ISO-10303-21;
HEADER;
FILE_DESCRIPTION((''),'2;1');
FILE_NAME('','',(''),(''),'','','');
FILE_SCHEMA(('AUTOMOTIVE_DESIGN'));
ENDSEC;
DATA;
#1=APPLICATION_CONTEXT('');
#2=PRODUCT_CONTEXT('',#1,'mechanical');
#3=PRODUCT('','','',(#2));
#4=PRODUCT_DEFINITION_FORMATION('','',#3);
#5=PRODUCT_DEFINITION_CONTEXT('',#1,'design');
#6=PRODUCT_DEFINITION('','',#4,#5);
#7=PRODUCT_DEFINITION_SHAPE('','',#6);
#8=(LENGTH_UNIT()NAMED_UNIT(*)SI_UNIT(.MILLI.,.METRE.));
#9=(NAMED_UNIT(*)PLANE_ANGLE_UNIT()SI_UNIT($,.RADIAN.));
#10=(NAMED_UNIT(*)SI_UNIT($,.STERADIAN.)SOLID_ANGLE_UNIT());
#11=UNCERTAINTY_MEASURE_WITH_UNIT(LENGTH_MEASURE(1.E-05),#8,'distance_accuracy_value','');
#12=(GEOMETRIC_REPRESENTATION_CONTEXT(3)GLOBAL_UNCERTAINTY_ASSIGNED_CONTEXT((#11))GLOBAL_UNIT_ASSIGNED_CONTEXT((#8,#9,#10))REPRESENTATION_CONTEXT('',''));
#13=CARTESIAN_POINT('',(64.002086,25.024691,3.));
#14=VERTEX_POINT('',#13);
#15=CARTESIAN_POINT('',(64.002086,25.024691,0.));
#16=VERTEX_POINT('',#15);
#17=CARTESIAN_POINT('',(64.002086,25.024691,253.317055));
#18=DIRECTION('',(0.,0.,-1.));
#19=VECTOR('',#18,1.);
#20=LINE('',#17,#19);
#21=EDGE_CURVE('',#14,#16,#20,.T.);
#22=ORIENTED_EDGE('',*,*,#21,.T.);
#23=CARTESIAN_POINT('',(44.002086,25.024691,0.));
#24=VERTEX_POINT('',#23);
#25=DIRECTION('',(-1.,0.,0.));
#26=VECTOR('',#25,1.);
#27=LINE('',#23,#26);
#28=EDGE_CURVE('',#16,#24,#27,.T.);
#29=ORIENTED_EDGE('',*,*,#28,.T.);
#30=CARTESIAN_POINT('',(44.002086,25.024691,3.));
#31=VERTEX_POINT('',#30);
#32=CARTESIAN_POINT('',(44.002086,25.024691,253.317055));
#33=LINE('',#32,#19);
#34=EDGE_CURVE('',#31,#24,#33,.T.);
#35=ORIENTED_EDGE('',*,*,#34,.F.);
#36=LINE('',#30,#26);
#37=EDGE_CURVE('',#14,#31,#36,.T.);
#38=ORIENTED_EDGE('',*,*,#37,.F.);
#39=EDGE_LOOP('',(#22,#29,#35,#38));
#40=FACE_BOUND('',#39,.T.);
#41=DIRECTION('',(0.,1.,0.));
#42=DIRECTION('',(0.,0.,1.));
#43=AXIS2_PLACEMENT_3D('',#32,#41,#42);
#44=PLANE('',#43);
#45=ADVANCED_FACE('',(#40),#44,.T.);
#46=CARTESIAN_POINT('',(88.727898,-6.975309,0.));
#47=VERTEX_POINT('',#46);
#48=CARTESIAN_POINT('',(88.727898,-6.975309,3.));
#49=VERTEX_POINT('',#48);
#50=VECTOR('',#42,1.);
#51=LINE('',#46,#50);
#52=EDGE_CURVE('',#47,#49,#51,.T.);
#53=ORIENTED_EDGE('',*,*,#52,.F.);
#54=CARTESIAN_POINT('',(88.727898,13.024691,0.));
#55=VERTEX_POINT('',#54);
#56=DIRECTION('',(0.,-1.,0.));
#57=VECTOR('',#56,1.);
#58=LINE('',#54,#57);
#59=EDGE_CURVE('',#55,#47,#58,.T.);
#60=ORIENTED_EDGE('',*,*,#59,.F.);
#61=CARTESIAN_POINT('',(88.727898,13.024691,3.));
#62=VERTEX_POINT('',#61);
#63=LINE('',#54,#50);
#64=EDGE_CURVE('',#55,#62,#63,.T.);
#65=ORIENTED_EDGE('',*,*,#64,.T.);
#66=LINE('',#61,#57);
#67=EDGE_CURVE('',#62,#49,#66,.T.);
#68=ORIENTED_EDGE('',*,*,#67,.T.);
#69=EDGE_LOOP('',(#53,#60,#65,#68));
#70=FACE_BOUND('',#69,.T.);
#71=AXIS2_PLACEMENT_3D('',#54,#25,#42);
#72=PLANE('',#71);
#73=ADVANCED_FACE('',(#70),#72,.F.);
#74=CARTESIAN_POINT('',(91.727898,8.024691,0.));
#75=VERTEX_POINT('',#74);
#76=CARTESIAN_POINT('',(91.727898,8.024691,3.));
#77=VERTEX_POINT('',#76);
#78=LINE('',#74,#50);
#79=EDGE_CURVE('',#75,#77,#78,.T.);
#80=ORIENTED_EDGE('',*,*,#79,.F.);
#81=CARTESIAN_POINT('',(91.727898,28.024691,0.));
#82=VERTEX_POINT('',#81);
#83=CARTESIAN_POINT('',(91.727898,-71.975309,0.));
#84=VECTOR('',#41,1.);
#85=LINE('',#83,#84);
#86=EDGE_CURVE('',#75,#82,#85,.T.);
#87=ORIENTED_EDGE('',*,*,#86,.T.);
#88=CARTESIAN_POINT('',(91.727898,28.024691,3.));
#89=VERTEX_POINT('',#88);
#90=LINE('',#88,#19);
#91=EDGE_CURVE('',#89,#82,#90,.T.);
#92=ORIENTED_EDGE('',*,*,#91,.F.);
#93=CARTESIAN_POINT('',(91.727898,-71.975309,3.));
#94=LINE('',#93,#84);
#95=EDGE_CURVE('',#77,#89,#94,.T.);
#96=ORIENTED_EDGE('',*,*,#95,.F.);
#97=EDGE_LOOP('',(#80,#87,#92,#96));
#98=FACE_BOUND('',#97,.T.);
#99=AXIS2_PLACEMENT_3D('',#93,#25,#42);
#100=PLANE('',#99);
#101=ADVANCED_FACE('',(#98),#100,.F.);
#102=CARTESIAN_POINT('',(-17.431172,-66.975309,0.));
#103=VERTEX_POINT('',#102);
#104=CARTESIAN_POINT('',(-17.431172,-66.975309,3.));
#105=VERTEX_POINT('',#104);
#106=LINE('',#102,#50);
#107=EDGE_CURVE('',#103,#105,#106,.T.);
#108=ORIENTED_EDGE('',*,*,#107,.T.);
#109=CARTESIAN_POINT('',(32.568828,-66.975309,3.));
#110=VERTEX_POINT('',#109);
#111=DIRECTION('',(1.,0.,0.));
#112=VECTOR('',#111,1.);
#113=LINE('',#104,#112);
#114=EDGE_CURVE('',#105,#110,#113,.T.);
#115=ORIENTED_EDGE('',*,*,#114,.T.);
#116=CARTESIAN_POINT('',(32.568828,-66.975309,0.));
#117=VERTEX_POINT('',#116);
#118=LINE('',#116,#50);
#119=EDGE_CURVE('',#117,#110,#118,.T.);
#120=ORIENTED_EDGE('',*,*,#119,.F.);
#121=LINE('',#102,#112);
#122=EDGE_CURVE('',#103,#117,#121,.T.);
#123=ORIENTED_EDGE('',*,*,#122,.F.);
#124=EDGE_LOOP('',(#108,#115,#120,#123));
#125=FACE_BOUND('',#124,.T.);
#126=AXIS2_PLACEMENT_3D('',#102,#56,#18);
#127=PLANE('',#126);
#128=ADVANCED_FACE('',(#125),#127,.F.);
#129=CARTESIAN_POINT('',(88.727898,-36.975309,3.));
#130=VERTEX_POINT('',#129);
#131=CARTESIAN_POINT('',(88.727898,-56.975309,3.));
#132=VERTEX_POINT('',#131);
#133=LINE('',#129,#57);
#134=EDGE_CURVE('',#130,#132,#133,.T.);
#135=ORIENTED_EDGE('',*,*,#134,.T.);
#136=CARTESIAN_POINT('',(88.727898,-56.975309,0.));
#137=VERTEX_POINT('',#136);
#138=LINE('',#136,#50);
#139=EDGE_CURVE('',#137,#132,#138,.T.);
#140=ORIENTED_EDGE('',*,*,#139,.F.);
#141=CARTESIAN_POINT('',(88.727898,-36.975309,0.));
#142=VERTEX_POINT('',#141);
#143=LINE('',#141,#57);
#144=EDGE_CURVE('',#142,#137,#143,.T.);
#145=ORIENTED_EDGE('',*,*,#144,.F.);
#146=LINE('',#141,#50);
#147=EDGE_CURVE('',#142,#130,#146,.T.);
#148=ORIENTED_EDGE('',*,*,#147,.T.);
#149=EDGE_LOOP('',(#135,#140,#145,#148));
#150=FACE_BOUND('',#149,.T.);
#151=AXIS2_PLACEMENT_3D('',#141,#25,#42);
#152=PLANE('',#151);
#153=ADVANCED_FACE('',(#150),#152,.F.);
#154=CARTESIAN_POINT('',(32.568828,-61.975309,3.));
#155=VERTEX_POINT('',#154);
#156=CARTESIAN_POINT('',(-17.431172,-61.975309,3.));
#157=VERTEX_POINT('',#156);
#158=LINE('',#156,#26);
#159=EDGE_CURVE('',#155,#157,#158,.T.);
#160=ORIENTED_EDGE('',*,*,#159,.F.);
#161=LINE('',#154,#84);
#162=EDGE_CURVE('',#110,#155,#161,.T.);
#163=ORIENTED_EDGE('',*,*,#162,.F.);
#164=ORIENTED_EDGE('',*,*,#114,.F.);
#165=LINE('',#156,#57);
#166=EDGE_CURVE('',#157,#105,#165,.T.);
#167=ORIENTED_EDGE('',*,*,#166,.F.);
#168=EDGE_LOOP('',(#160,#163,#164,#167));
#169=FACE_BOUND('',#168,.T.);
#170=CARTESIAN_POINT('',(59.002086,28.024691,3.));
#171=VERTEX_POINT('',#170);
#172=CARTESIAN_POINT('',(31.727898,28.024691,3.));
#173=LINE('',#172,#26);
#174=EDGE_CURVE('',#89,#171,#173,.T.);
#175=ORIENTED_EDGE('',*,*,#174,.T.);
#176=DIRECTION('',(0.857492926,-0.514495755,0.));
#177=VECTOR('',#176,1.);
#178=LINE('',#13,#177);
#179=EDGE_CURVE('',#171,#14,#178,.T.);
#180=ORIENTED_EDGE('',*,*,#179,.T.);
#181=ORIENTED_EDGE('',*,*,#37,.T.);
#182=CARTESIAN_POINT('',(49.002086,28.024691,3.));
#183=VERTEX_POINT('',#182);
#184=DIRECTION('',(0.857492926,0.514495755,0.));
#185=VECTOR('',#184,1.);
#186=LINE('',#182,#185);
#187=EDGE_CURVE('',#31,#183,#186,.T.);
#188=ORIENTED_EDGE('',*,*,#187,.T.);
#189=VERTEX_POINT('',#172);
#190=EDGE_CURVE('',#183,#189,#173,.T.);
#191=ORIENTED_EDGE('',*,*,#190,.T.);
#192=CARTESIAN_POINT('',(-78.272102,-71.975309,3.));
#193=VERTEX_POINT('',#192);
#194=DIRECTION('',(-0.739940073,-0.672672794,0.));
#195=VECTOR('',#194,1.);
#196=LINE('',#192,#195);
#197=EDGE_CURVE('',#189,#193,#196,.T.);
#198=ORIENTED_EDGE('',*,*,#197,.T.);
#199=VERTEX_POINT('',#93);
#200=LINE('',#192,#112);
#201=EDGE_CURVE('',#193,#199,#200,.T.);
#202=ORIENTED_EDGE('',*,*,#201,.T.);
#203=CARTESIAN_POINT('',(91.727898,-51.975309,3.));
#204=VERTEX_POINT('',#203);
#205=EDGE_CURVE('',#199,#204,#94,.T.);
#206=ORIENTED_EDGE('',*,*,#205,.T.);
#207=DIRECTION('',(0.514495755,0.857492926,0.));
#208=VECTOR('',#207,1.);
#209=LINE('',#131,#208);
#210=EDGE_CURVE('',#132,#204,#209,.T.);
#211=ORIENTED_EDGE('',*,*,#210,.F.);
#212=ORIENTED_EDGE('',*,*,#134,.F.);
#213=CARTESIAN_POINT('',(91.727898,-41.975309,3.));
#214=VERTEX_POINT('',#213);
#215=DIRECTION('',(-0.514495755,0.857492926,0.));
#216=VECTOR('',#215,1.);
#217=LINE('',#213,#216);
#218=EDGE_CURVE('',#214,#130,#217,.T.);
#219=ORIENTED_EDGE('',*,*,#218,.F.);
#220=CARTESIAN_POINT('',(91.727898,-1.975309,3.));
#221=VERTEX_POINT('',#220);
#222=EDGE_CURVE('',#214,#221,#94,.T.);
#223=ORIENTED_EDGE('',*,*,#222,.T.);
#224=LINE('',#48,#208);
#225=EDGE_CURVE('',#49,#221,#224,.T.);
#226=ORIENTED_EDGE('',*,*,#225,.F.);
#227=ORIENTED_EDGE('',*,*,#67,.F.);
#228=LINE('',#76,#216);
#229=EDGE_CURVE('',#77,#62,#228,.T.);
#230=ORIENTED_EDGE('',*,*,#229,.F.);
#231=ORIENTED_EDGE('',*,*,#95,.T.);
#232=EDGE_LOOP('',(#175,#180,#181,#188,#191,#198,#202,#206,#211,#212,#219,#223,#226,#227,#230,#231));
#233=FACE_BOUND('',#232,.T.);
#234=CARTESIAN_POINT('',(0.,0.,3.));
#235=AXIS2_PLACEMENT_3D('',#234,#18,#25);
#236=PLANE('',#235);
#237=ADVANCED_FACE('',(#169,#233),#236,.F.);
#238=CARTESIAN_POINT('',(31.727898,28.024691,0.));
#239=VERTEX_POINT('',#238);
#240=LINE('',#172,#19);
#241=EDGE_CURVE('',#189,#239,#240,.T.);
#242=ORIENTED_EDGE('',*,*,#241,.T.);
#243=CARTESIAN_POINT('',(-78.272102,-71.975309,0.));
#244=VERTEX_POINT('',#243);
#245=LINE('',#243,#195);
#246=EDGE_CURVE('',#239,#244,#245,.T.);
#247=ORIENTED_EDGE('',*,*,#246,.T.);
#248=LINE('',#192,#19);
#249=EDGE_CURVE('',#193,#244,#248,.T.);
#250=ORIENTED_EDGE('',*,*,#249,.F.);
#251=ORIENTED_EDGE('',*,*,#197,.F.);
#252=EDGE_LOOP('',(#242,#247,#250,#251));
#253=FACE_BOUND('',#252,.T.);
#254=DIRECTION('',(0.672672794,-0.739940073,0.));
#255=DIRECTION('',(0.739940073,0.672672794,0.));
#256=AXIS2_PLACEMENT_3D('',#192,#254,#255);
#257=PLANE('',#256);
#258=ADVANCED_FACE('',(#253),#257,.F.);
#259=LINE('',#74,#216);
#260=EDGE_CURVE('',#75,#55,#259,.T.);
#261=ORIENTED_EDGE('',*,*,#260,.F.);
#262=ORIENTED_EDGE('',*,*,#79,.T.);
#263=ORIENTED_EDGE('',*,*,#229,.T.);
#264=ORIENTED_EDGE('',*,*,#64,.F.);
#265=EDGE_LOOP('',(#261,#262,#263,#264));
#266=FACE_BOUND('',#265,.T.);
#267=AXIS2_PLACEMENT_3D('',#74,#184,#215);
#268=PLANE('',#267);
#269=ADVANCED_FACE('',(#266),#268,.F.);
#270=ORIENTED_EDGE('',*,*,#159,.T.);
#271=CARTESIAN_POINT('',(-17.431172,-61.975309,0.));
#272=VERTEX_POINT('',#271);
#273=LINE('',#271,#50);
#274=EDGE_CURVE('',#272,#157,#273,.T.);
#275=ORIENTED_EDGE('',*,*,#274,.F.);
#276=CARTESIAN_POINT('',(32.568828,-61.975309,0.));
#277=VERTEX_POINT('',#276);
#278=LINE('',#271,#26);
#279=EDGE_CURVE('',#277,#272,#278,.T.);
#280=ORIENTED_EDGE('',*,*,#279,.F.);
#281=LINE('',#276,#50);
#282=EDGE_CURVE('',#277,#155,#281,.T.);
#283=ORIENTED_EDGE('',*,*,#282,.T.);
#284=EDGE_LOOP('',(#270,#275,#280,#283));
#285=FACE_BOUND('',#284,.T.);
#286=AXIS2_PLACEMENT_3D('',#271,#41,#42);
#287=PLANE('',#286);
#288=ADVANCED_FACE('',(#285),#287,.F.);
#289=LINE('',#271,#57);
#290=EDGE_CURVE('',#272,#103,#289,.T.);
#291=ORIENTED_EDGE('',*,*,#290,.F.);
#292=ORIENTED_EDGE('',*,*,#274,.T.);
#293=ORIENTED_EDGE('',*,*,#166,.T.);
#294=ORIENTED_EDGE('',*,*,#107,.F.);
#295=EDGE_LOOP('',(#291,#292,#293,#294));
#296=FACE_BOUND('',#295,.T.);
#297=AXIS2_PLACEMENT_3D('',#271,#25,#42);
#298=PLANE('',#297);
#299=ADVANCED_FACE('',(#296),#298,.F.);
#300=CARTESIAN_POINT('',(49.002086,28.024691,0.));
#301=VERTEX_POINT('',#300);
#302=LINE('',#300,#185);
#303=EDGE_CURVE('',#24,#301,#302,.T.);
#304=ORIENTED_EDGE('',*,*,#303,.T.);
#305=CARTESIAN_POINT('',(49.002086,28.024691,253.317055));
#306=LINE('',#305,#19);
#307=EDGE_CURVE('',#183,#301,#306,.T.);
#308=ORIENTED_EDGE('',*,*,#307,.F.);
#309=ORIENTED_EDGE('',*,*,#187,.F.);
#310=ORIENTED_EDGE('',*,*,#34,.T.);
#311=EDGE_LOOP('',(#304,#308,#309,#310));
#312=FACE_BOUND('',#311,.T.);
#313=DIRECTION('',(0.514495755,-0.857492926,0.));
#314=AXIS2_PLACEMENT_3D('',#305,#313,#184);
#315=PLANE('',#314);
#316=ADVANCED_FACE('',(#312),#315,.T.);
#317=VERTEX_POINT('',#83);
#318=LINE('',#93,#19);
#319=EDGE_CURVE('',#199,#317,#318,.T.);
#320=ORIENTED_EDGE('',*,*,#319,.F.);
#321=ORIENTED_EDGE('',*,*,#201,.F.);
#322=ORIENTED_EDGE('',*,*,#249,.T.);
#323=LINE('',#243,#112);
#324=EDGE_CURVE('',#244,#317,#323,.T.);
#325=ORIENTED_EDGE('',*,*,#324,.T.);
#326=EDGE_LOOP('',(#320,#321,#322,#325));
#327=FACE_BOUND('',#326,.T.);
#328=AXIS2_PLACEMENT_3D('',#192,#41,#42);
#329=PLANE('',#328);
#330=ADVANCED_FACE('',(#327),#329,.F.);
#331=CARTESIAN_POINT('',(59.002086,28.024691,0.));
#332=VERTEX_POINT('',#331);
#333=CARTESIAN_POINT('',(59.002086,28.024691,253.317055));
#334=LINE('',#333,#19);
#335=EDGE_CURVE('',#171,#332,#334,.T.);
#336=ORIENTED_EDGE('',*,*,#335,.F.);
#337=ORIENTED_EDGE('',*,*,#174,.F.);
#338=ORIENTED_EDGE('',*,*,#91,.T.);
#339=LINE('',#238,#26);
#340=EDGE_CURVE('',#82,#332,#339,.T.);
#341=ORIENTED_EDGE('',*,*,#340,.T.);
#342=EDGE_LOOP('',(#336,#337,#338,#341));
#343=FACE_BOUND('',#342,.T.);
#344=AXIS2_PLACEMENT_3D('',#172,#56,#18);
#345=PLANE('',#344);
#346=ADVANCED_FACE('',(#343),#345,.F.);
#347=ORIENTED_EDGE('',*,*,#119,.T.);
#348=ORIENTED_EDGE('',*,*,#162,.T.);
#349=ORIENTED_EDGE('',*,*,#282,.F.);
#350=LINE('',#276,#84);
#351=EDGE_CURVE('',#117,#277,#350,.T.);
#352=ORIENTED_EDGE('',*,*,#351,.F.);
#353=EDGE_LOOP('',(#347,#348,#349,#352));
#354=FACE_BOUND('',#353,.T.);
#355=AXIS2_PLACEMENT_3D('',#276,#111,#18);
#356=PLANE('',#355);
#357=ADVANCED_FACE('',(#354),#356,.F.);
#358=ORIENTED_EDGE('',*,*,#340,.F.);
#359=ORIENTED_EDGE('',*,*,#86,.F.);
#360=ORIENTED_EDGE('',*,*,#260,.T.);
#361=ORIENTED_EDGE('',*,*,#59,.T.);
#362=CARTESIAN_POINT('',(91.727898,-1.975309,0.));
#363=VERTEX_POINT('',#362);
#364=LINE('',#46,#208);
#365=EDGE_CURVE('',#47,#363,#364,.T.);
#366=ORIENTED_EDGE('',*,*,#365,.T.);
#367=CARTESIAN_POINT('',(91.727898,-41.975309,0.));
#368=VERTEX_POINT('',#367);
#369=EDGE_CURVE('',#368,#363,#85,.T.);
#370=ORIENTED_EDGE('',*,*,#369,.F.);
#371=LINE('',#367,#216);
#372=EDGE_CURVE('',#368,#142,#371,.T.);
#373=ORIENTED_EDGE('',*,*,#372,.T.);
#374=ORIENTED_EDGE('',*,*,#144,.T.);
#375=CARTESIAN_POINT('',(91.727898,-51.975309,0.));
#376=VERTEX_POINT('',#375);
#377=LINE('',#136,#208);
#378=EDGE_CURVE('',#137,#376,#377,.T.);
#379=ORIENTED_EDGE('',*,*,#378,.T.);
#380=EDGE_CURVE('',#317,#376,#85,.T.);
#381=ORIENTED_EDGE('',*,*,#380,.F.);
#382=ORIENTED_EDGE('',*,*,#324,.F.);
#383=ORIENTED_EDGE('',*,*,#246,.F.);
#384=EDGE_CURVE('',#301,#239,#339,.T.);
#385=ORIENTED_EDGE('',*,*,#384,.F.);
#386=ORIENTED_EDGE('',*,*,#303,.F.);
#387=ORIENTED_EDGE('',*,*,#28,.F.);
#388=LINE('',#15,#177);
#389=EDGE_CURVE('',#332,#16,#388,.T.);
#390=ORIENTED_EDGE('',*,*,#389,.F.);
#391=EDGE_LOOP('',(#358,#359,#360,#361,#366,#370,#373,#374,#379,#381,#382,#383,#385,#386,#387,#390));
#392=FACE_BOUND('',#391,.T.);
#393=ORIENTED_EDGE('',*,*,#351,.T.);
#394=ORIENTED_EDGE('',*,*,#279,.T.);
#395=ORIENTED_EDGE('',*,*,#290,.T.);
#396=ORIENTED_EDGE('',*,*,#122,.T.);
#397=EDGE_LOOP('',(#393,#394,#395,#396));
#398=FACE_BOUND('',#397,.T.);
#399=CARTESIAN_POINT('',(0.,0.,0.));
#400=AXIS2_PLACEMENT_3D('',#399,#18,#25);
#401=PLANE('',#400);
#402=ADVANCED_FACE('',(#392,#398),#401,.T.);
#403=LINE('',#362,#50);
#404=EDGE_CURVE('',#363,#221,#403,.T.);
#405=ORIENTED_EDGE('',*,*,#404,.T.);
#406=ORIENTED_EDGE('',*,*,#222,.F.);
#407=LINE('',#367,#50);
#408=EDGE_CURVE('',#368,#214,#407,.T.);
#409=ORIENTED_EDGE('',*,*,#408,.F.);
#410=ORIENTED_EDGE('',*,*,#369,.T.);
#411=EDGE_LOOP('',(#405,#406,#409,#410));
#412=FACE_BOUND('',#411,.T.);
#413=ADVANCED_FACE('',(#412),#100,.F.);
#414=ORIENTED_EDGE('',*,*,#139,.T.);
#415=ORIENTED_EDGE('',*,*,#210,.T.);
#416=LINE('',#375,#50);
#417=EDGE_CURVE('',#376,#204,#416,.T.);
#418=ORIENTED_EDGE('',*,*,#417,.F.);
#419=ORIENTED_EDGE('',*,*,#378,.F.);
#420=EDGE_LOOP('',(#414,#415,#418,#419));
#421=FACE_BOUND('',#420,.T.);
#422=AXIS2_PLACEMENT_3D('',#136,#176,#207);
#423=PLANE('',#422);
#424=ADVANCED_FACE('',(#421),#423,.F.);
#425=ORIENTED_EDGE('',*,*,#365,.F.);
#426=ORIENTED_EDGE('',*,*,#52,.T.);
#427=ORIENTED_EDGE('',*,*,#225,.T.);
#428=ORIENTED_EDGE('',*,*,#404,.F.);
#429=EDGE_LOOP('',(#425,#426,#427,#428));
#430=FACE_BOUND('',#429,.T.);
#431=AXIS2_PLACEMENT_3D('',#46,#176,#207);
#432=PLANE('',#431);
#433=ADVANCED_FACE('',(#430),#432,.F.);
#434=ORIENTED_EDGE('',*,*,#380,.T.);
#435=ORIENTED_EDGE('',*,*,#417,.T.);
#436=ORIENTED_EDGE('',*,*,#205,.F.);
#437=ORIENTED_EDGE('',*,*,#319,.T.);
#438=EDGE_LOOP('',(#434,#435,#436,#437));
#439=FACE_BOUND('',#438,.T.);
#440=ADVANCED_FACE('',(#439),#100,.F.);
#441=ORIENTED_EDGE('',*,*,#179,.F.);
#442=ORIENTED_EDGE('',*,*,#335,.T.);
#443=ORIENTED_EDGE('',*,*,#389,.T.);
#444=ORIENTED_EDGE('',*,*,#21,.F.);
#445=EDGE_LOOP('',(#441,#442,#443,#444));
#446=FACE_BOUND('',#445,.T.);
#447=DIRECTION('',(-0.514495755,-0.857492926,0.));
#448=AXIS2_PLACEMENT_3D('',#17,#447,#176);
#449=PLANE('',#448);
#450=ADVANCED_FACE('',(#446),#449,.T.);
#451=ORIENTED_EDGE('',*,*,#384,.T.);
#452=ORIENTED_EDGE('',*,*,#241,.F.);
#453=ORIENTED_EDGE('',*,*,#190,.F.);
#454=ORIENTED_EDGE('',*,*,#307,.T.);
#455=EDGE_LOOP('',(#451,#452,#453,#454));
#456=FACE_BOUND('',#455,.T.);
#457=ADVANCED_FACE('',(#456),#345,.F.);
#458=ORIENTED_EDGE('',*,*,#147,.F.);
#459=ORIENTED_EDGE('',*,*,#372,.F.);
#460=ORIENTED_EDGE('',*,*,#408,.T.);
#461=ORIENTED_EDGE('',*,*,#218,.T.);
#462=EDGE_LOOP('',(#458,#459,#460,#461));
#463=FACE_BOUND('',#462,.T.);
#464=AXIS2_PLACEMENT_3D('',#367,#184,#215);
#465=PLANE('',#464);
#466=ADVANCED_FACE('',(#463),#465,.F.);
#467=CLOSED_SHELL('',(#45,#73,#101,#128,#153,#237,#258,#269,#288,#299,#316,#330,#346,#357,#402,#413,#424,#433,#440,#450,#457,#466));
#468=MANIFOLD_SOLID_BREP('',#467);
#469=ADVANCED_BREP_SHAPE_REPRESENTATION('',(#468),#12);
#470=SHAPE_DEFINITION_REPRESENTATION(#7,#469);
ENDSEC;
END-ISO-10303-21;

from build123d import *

# Parameters (mm, degrees)
BOSS_EXTRU_1_DEPTH           = 3
ENL_V_MAT_EXTRU_1_DEPTH      = 117.633838487
ENL_V_MAT_EXTRU_1_DEPTH_BACK = 3
ENL_V_MAT_EXTRU_2_DEPTH      = 3
ESQUISSE4_W                  = 50
ESQUISSE4_H                  = 5
ENL_V_MAT_EXTRU_3_DEPTH      = 3


with BuildPart() as part:
    # Esquisse1 → Boss.-Extru.1 (new body)
    with BuildSketch(Plane.XY):
        Polygon((-78.272102247, -71.975308642), (31.727897753, 28.024691358), (91.727897753, 28.024691358), (91.727897753, -71.975308642), align=None)
    extrude(amount=BOSS_EXTRU_1_DEPTH)

    # Esquisse2 → Enlèv. mat.-Extru.1 (cut, two sides: drawn at the far end of the back side and taken through both)
    with BuildSketch(Plane.XY.offset(3).offset(-ENL_V_MAT_EXTRU_1_DEPTH_BACK)):
        Polygon((348.843028944, 207.929257012), (49.002086188, 28.024691358), (44.002086188, 25.024691358), (64.002086188, 25.024691358), (59.002086188, 28.024691358), (-240.838856568, 207.929257012), (-240.838856568, -491.413988315), (348.843028944, -491.413988315), align=None)
    extrude(amount=ENL_V_MAT_EXTRU_1_DEPTH + ENL_V_MAT_EXTRU_1_DEPTH_BACK, mode=Mode.SUBTRACT)

    # Esquisse3 → Enlèv. mat.-Extru.2 (cut)
    with BuildSketch(Plane.XY.offset(3)):
        Polygon((91.727897753, 8.024691358), (88.727897753, 13.024691358), (88.727897753, -6.975308642), (91.727897753, -1.975308642), align=None)
        Polygon((91.727897753, -41.975308642), (88.727897753, -36.975308642), (88.727897753, -56.975308642), (91.727897753, -51.975308642), align=None)
    extrude(amount=-ENL_V_MAT_EXTRU_2_DEPTH, mode=Mode.SUBTRACT)

    # Esquisse4 → Enlèv. mat.-Extru.3 (cut)
    with BuildSketch(Plane.XY.offset(3)):
        with Locations((7.568828052, -64.475308642)):
            Rectangle(ESQUISSE4_W, ESQUISSE4_H)
    extrude(amount=-ENL_V_MAT_EXTRU_3_DEPTH, mode=Mode.SUBTRACT)


solid = part.part
